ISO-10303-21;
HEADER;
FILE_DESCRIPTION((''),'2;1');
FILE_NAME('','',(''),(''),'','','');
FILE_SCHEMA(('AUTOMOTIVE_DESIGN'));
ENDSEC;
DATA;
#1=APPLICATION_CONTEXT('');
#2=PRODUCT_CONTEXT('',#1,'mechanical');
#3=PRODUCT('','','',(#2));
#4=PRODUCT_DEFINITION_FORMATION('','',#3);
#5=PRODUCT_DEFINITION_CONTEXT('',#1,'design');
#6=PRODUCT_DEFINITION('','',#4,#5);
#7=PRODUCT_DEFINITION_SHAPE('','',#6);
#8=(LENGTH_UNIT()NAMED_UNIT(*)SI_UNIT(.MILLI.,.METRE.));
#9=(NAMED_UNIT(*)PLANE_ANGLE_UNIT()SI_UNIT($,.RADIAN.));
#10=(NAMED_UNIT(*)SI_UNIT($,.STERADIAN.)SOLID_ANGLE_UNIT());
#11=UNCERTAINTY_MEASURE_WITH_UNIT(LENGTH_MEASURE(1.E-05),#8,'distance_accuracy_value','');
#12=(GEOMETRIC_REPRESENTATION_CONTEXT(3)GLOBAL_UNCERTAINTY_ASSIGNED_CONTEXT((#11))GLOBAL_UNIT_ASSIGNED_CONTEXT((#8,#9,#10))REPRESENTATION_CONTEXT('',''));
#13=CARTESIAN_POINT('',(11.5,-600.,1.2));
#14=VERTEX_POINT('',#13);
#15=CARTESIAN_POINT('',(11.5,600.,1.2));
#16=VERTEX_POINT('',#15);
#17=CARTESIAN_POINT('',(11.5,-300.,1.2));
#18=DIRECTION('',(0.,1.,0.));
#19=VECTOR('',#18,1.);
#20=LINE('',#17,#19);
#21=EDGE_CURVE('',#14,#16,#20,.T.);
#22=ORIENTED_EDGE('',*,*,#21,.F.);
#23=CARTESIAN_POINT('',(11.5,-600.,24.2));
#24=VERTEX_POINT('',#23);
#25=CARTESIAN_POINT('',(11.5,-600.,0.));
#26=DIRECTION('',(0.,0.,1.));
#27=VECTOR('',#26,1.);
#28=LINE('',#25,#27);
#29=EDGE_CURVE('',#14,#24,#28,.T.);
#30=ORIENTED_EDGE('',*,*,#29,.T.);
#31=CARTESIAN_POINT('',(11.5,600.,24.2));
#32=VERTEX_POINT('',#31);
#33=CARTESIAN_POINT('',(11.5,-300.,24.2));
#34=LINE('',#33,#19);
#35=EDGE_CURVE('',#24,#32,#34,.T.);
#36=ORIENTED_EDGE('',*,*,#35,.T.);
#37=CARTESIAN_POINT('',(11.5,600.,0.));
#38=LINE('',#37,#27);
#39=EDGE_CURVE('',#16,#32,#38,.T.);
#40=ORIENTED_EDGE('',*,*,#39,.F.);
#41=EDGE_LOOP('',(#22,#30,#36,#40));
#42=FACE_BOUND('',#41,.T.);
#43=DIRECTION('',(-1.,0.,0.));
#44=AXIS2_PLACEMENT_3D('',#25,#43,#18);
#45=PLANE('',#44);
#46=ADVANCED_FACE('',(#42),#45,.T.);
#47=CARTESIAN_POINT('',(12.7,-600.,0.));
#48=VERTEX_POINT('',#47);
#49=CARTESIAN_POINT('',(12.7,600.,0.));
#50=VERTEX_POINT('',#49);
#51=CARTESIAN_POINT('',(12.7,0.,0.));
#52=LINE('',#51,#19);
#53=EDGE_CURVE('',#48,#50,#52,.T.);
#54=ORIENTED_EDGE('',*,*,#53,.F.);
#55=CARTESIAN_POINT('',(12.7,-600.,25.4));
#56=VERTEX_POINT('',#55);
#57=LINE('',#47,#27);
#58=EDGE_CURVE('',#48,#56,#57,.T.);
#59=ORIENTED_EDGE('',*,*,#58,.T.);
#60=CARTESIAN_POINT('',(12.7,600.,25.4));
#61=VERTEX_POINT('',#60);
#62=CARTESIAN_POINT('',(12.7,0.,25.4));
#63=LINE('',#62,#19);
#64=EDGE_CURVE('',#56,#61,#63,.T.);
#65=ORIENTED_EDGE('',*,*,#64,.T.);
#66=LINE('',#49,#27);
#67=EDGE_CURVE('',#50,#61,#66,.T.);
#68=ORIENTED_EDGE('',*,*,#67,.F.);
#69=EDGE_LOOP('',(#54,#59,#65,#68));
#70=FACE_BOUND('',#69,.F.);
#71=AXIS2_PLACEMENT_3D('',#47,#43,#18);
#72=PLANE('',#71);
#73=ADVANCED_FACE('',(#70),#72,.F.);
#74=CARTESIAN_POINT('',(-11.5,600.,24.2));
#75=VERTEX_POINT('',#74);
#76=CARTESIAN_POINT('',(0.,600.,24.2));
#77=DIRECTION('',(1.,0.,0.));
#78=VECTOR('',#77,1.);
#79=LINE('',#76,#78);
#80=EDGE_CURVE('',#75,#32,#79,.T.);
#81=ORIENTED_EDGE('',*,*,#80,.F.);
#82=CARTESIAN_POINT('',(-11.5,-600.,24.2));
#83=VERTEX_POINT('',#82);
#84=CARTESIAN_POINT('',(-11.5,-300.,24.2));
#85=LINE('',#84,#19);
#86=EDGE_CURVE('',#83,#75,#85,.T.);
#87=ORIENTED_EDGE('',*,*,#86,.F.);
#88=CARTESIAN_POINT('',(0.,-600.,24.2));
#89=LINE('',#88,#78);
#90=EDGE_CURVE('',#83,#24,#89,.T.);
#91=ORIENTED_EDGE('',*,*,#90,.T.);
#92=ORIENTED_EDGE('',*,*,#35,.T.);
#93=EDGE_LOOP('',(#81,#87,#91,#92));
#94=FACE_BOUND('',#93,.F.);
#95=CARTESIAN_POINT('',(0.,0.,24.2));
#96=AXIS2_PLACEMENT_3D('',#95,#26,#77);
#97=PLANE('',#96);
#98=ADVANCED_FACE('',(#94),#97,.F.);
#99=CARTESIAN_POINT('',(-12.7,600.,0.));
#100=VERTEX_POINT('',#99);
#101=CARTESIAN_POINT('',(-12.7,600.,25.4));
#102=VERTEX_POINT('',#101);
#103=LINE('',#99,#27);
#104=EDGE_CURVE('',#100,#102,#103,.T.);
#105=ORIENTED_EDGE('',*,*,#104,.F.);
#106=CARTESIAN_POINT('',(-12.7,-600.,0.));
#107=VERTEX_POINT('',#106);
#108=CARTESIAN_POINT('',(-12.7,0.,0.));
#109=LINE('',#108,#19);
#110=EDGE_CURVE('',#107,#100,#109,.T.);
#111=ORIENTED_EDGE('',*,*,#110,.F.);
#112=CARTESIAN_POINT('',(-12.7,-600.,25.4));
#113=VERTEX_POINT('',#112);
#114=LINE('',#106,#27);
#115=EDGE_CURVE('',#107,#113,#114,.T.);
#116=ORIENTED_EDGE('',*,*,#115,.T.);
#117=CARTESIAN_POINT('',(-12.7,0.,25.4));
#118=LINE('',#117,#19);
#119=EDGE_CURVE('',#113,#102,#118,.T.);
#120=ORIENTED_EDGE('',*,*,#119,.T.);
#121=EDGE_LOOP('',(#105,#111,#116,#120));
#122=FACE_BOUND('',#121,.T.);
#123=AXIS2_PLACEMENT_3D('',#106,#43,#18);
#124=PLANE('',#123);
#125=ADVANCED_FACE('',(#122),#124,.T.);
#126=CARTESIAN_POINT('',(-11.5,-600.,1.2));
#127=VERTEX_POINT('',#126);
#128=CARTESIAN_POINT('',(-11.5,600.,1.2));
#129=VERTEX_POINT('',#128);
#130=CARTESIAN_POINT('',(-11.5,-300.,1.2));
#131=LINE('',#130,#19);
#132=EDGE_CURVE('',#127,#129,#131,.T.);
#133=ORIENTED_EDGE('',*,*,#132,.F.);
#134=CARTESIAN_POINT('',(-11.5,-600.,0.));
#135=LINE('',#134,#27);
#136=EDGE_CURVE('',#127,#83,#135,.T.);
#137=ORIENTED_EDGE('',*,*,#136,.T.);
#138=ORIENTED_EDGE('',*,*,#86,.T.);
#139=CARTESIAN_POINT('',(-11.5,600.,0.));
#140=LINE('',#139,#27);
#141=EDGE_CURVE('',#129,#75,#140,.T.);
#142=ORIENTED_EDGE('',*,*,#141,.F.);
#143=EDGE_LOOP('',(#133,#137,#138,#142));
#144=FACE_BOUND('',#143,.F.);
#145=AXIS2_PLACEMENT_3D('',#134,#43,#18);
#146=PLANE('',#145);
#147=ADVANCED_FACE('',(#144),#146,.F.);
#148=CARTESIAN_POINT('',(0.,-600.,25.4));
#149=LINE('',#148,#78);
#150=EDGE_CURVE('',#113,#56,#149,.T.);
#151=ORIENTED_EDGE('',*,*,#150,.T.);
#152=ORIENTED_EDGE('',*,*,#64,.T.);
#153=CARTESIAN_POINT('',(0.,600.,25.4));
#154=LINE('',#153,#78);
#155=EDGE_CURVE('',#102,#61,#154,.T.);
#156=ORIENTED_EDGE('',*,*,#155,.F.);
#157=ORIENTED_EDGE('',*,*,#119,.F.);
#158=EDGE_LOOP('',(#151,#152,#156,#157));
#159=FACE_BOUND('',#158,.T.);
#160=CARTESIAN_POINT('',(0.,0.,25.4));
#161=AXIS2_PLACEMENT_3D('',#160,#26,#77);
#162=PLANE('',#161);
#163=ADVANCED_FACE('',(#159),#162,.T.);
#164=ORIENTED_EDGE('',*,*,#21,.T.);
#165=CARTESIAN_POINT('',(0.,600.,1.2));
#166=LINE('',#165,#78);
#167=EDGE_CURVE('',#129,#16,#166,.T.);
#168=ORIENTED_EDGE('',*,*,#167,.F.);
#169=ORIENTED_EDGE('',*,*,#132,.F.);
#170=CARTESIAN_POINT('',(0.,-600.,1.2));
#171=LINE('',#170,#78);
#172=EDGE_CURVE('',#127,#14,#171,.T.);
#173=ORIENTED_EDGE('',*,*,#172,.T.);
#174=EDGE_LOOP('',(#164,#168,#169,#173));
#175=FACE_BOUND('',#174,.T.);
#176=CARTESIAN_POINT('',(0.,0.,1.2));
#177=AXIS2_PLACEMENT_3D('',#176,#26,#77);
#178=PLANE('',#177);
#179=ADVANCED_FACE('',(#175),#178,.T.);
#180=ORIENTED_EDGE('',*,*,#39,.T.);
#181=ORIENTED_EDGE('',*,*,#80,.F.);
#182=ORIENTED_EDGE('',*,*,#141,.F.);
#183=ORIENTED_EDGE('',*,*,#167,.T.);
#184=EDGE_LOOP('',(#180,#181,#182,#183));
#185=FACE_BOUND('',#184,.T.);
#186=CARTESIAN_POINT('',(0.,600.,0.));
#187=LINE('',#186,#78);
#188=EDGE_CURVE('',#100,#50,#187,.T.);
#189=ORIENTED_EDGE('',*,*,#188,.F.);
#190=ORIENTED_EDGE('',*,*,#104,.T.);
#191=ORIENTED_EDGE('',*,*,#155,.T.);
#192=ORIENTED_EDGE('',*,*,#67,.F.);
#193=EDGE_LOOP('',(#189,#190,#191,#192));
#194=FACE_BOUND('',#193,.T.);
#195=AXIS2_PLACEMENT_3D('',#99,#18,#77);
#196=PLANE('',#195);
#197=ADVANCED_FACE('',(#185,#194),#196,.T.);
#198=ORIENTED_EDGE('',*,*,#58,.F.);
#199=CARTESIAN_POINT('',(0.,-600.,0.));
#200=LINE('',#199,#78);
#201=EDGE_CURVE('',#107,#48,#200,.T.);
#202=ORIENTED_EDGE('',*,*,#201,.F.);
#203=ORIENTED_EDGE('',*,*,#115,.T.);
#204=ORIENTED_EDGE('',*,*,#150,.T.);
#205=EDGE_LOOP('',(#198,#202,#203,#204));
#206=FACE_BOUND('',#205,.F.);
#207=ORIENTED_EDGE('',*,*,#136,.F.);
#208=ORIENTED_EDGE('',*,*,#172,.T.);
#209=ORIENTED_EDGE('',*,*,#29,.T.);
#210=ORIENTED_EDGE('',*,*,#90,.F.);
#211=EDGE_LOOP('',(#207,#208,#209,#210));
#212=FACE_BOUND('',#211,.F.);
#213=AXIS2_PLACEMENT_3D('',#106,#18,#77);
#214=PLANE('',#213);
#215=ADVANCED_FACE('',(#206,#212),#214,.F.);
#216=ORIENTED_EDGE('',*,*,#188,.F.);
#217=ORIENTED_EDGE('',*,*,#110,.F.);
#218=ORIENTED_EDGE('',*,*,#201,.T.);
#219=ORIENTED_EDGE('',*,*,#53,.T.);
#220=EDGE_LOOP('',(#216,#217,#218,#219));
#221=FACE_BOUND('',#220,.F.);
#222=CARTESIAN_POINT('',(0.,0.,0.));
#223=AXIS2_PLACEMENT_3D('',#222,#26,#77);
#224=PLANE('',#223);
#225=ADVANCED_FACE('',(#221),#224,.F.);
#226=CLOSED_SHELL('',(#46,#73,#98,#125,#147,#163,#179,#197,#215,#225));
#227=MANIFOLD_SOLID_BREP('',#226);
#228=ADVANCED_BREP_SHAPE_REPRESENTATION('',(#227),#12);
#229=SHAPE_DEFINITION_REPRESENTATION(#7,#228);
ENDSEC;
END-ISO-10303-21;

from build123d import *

# Parameters (mm, degrees)
F0_W     = 25.4
F0_H     = 1200
F1_DEPTH = 25.4
F2_T     = -1.2


with BuildPart() as f1:
    # F0 (on Top) → F1 (new body)
    with BuildSketch(Plane.XY):
        Rectangle(F0_W, F0_H)
    extrude(amount=F1_DEPTH)

    # F2
    f2_openings = [f1.faces().sort_by_distance(p)[0] for p in [
        (0, -600, 12.7),
        (0, 600, 12.7),
    ]]
    offset(amount=F2_T, openings=f2_openings)


solid = f1.part
